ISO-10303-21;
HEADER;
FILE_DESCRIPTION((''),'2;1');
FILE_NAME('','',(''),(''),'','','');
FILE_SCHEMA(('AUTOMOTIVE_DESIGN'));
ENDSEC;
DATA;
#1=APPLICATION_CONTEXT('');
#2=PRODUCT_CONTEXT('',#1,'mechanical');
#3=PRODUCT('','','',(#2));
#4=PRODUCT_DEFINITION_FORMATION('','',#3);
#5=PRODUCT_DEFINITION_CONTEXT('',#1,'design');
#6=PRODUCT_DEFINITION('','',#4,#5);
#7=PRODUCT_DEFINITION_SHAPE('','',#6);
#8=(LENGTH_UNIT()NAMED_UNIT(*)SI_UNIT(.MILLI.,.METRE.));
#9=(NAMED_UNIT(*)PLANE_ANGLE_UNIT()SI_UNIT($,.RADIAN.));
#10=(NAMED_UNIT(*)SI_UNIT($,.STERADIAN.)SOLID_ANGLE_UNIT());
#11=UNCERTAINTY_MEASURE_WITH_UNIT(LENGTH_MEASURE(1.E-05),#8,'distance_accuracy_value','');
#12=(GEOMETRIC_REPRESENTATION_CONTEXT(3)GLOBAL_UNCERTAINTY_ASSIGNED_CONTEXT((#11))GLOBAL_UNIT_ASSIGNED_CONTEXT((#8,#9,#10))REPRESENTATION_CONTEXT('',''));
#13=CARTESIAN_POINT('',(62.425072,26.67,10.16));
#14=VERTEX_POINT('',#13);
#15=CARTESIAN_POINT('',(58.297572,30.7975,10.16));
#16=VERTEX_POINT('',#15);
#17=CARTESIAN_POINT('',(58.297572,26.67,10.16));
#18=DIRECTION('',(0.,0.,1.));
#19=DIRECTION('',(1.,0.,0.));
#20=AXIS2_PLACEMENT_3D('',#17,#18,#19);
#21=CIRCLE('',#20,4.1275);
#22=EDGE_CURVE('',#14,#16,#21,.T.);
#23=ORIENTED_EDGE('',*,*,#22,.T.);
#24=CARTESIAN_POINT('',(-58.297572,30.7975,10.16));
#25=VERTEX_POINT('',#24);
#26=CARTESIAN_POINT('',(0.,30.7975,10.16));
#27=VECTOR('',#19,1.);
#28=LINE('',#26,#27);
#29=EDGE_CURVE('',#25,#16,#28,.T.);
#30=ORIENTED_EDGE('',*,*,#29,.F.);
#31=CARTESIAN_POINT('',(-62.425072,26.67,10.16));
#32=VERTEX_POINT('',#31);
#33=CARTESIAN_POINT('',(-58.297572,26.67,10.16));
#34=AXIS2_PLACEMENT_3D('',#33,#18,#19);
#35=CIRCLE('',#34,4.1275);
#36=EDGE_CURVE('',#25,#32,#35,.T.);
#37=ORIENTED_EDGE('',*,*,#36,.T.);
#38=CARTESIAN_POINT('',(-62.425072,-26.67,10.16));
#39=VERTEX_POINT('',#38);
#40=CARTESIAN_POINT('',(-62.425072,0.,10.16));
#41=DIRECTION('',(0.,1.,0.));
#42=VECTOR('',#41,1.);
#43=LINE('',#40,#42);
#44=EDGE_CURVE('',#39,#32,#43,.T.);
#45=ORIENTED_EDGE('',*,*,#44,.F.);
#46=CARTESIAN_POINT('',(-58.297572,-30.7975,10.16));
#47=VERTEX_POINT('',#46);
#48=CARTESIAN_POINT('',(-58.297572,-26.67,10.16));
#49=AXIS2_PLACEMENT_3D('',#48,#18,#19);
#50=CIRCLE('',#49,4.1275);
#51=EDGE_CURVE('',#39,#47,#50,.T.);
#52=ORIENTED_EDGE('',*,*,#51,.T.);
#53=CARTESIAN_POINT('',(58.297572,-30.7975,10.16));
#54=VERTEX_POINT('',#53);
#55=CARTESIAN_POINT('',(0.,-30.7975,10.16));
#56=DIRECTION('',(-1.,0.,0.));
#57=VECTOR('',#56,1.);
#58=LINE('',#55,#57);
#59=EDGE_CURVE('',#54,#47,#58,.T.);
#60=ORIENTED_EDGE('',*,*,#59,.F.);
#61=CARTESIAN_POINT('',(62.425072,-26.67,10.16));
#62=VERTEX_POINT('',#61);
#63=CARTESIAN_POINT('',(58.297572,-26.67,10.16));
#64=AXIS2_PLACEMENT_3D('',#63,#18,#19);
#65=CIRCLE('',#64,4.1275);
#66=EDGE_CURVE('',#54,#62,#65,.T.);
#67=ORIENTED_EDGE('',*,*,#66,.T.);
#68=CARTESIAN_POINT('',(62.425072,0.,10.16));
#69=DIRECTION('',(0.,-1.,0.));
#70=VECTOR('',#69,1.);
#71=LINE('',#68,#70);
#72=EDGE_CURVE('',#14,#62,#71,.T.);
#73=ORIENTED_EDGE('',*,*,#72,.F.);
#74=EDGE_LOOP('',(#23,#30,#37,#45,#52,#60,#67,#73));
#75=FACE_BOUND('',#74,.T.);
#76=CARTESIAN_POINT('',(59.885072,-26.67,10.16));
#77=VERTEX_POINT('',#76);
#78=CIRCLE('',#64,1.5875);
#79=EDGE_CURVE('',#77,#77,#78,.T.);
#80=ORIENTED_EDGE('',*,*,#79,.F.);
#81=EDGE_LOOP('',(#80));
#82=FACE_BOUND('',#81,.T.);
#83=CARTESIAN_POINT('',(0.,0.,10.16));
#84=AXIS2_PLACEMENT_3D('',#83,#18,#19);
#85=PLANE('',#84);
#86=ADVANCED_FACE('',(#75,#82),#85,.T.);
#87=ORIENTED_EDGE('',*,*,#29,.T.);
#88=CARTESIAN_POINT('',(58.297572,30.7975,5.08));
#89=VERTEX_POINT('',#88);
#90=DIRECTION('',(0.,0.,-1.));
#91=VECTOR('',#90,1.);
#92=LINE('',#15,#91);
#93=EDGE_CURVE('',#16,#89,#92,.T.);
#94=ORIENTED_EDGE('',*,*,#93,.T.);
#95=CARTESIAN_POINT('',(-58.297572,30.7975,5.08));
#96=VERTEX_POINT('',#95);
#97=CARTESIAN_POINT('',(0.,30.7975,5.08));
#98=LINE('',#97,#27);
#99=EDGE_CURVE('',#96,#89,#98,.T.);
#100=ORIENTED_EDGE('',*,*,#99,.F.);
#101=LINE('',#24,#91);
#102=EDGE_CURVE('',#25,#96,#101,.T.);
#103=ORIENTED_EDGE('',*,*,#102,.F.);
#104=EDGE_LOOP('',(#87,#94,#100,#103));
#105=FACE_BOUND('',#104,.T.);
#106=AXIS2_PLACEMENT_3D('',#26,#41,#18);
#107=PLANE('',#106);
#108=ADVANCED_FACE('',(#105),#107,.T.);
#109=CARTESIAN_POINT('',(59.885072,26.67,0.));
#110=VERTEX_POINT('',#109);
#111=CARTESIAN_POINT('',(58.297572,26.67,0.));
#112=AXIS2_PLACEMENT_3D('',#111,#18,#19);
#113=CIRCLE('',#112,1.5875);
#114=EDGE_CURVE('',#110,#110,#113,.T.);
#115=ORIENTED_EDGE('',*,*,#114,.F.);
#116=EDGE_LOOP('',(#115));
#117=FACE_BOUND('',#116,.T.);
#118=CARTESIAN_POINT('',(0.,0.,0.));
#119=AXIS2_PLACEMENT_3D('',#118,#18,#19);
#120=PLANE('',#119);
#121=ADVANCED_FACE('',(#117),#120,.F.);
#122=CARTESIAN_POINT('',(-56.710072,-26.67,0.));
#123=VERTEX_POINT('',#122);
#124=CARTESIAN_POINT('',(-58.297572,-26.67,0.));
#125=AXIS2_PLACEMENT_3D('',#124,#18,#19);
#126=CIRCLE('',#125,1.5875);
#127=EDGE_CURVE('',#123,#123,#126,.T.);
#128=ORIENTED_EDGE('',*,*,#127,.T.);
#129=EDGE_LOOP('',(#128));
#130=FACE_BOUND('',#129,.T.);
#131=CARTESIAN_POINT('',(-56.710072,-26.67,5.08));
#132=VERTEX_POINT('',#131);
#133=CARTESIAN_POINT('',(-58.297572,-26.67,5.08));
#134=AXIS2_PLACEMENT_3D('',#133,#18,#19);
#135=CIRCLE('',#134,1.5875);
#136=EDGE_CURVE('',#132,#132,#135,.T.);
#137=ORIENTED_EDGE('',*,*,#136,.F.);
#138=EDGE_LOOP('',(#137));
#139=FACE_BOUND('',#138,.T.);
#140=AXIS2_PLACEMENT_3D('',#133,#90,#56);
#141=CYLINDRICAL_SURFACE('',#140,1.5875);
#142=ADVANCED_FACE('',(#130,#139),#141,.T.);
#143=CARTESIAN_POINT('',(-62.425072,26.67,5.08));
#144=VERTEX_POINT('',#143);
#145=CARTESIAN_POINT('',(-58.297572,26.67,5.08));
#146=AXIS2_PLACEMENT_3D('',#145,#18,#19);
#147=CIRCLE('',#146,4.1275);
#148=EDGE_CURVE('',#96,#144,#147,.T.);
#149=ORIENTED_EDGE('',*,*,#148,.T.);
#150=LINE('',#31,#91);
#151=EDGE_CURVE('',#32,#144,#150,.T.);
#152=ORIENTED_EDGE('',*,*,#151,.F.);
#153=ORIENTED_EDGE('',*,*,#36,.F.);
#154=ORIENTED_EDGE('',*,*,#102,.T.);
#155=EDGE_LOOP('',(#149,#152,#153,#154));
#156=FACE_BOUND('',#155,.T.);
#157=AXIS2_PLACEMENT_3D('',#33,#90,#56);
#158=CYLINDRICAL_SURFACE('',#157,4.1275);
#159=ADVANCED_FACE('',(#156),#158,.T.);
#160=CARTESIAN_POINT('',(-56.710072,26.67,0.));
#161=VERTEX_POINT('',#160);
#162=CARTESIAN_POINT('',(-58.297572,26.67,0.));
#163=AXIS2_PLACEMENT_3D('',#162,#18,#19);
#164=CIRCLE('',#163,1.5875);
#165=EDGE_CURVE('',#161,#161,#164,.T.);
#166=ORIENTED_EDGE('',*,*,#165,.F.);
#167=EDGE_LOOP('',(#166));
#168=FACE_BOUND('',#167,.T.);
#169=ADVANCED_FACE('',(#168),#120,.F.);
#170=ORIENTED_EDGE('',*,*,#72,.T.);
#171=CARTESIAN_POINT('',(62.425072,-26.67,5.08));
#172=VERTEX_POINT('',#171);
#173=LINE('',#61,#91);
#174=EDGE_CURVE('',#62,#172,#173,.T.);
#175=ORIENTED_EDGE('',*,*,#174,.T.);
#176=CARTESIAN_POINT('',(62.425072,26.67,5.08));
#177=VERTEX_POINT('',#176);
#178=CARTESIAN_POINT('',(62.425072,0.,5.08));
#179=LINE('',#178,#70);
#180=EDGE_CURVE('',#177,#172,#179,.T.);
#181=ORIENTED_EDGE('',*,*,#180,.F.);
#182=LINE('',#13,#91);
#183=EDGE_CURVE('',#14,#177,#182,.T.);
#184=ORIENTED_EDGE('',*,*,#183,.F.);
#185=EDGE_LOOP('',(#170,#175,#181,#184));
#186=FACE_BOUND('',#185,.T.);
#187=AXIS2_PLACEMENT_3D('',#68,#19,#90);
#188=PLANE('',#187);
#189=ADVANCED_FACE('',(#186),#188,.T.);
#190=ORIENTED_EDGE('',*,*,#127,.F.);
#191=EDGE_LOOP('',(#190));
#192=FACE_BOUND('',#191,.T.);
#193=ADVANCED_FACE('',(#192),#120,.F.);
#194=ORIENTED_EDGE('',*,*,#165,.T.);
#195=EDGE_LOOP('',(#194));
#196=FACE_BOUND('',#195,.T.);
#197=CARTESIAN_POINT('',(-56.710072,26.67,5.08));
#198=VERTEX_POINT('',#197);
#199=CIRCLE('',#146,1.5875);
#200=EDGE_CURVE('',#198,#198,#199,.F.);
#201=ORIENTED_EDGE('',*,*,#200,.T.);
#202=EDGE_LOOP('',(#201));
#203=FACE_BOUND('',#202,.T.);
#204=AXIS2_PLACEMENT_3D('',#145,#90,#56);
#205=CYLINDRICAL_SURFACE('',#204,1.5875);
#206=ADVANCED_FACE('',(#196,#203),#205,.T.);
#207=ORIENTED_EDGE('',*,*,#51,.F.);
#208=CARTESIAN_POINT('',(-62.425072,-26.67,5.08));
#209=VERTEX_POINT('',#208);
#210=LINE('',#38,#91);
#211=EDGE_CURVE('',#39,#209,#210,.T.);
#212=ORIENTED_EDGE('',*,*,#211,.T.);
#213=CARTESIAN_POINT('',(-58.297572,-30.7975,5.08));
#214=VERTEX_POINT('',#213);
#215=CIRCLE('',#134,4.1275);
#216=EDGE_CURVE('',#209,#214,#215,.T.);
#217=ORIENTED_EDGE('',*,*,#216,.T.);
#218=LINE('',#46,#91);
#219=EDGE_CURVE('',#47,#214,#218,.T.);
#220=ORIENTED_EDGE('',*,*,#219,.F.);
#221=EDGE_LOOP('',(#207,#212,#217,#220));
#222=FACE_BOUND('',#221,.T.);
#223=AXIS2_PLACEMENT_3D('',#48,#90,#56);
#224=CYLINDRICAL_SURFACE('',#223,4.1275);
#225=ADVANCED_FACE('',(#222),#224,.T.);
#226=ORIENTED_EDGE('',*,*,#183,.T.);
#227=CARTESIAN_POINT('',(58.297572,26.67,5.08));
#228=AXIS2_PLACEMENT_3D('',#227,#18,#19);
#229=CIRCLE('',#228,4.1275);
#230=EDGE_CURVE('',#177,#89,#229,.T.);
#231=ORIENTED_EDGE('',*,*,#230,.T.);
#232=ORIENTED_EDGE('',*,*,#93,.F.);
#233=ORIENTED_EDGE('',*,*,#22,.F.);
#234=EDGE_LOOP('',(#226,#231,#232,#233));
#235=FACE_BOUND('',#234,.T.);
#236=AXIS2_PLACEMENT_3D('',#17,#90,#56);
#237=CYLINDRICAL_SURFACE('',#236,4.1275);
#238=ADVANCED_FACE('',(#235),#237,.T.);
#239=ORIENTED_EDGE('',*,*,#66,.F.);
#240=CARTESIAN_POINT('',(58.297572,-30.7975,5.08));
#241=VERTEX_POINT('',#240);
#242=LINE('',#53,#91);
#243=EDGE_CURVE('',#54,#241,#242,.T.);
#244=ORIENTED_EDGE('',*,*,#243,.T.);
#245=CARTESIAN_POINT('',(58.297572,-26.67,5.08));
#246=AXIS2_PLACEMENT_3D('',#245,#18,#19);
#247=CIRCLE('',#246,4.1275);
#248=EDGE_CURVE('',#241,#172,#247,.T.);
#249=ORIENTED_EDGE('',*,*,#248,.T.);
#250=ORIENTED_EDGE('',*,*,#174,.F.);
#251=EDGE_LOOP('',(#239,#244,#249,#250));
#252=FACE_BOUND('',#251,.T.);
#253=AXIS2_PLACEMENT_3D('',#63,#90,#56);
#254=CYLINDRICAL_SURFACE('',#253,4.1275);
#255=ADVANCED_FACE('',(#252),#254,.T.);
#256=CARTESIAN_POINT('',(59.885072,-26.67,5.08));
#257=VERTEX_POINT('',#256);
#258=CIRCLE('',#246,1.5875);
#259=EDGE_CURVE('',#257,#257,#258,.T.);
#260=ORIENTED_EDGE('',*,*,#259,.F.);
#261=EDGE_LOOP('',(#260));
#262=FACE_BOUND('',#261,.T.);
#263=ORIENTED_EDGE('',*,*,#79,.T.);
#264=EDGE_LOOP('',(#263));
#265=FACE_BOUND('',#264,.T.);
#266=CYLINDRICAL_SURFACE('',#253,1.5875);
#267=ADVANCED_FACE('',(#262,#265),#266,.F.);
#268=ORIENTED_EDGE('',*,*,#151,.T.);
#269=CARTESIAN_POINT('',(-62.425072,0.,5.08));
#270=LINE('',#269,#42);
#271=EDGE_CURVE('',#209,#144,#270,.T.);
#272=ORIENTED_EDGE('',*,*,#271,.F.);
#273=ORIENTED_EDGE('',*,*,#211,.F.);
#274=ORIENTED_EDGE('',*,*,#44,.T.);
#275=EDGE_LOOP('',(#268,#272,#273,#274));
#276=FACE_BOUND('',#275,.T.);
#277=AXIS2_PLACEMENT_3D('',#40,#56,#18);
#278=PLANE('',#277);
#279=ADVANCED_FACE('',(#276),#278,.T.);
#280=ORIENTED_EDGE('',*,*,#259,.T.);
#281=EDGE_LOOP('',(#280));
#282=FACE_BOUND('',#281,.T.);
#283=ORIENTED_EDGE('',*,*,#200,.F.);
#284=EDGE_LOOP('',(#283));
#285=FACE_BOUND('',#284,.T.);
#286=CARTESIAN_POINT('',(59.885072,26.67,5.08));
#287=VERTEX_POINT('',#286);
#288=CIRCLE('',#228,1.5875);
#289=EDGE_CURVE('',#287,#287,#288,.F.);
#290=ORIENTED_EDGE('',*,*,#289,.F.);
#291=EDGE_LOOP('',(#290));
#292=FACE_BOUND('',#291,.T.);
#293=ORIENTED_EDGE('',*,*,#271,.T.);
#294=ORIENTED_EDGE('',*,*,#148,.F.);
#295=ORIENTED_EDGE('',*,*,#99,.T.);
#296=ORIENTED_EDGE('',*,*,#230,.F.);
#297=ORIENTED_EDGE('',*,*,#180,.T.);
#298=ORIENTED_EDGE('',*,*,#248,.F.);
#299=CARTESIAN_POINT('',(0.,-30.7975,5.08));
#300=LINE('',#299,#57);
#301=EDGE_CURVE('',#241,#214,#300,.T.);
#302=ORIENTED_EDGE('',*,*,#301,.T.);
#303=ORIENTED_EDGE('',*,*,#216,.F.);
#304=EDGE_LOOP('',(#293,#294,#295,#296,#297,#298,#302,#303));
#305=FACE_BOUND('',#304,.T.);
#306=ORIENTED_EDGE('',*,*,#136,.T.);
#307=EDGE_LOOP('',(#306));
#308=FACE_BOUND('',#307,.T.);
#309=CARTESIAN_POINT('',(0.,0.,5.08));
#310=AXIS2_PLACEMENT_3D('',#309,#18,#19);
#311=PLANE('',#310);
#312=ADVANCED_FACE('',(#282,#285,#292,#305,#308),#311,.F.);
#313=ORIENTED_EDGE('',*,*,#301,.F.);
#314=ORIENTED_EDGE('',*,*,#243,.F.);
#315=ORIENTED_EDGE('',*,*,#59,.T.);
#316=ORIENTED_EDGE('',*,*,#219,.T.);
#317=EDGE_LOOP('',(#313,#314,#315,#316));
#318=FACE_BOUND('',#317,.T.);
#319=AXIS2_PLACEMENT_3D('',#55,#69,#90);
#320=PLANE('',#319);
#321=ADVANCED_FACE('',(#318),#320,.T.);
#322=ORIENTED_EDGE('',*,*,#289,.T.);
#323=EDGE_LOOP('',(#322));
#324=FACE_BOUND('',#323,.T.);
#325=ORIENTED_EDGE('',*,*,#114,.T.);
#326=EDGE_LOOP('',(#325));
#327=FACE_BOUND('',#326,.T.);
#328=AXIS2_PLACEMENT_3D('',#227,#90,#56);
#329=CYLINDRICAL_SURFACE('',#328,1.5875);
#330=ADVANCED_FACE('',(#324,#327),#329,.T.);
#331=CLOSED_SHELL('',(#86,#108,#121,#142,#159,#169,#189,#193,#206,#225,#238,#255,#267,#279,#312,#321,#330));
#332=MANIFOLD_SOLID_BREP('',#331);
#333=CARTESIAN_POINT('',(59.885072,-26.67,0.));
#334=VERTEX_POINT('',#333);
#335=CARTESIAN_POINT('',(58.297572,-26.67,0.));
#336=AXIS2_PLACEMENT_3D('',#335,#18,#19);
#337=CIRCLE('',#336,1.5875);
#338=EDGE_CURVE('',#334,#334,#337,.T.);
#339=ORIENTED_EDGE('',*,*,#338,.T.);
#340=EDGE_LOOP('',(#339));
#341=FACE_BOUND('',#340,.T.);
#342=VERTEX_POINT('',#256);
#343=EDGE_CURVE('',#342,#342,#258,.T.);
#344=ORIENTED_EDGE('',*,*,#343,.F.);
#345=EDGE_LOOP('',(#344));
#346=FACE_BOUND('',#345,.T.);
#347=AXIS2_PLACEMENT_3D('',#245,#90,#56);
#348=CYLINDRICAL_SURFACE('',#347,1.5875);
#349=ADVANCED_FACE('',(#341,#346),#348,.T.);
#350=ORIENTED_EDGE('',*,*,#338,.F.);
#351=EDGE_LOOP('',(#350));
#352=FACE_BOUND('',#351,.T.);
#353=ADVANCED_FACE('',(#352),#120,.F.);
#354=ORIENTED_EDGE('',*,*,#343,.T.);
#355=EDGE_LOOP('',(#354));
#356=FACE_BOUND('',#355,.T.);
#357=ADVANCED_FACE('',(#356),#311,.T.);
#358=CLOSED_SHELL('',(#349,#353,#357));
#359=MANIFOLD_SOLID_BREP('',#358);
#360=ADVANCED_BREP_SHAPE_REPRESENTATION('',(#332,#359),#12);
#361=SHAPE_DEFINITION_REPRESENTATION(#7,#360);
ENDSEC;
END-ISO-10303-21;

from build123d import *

# Parameters (mm, degrees)
SKETCH1_R             = 1.5875
BOSS_EXTRUDE1_DEPTH   = 5.08
BOSS_EXTRUDE1_2_DEPTH = 5.08
BOSS_EXTRUDE1_3_DEPTH = 5.08
BOSS_EXTRUDE1_4_DEPTH = 5.08
SKETCH3_R             = 1.5875
BOSS_EXTRUDE2_DEPTH   = 5.08


with BuildPart() as part:
    # Sketch1 → Boss-Extrude1 (new body)
    with BuildSketch(Plane.XY):
        with Locations((-58.297572, -26.67)):
            Circle(SKETCH1_R)
    extrude(amount=BOSS_EXTRUDE1_DEPTH)



with BuildPart() as body_2:
    # Sketch1 → Boss-Extrude1 2 (new body)
    with BuildSketch(Plane.XY):
        with Locations((-58.297572, 26.67)):
            Circle(SKETCH1_R)
    extrude(amount=BOSS_EXTRUDE1_2_DEPTH)


with BuildPart() as body_3:
    # Sketch1 → Boss-Extrude1 3 (new body)
    with BuildSketch(Plane.XY):
        with Locations((58.297572, 26.67)):
            Circle(SKETCH1_R)
    extrude(amount=BOSS_EXTRUDE1_3_DEPTH)


with BuildPart() as body_4:
    # Sketch1 → Boss-Extrude1 4 (new body)
    with BuildSketch(Plane.XY):
        with Locations((58.297572, -26.67)):
            Circle(SKETCH1_R)
    extrude(amount=BOSS_EXTRUDE1_4_DEPTH)


with BuildPart() as part_1:
    add(part.part)

    add(body_2.part)  # Boss-Extrude2 merges body 2

    add(body_3.part)  # Boss-Extrude2 merges body 3
    # Sketch3 → Boss-Extrude2 (add)
    with BuildSketch(Plane.XY.offset(5.08)):
        with BuildLine():
            Line((58.297572, 30.7975), (-58.297572, 30.7975))
            ThreePointArc((-58.297572, 30.7975), (-61.216155239, 29.588583239), (-62.425072, 26.67))
            Line((-62.425072, 26.67), (-62.425072, -26.67))
            ThreePointArc((-62.425072, -26.67), (-61.216155239, -29.588583239), (-58.297572, -30.7975))
            Line((-58.297572, -30.7975), (58.297572, -30.7975))
            ThreePointArc((58.297572, -30.7975), (61.216155239, -29.588583239), (62.425072, -26.67))
            Line((62.425072, -26.67), (62.425072, 26.67))
            ThreePointArc((62.425072, 26.67), (61.216155239, 29.588583239), (58.297572, 30.7975))
        make_face()
        with Locations((58.297572, -26.67)):
            Circle(SKETCH3_R, mode=Mode.SUBTRACT)
    extrude(amount=BOSS_EXTRUDE2_DEPTH)


solid = Compound([body_4.part, part_1.part])
